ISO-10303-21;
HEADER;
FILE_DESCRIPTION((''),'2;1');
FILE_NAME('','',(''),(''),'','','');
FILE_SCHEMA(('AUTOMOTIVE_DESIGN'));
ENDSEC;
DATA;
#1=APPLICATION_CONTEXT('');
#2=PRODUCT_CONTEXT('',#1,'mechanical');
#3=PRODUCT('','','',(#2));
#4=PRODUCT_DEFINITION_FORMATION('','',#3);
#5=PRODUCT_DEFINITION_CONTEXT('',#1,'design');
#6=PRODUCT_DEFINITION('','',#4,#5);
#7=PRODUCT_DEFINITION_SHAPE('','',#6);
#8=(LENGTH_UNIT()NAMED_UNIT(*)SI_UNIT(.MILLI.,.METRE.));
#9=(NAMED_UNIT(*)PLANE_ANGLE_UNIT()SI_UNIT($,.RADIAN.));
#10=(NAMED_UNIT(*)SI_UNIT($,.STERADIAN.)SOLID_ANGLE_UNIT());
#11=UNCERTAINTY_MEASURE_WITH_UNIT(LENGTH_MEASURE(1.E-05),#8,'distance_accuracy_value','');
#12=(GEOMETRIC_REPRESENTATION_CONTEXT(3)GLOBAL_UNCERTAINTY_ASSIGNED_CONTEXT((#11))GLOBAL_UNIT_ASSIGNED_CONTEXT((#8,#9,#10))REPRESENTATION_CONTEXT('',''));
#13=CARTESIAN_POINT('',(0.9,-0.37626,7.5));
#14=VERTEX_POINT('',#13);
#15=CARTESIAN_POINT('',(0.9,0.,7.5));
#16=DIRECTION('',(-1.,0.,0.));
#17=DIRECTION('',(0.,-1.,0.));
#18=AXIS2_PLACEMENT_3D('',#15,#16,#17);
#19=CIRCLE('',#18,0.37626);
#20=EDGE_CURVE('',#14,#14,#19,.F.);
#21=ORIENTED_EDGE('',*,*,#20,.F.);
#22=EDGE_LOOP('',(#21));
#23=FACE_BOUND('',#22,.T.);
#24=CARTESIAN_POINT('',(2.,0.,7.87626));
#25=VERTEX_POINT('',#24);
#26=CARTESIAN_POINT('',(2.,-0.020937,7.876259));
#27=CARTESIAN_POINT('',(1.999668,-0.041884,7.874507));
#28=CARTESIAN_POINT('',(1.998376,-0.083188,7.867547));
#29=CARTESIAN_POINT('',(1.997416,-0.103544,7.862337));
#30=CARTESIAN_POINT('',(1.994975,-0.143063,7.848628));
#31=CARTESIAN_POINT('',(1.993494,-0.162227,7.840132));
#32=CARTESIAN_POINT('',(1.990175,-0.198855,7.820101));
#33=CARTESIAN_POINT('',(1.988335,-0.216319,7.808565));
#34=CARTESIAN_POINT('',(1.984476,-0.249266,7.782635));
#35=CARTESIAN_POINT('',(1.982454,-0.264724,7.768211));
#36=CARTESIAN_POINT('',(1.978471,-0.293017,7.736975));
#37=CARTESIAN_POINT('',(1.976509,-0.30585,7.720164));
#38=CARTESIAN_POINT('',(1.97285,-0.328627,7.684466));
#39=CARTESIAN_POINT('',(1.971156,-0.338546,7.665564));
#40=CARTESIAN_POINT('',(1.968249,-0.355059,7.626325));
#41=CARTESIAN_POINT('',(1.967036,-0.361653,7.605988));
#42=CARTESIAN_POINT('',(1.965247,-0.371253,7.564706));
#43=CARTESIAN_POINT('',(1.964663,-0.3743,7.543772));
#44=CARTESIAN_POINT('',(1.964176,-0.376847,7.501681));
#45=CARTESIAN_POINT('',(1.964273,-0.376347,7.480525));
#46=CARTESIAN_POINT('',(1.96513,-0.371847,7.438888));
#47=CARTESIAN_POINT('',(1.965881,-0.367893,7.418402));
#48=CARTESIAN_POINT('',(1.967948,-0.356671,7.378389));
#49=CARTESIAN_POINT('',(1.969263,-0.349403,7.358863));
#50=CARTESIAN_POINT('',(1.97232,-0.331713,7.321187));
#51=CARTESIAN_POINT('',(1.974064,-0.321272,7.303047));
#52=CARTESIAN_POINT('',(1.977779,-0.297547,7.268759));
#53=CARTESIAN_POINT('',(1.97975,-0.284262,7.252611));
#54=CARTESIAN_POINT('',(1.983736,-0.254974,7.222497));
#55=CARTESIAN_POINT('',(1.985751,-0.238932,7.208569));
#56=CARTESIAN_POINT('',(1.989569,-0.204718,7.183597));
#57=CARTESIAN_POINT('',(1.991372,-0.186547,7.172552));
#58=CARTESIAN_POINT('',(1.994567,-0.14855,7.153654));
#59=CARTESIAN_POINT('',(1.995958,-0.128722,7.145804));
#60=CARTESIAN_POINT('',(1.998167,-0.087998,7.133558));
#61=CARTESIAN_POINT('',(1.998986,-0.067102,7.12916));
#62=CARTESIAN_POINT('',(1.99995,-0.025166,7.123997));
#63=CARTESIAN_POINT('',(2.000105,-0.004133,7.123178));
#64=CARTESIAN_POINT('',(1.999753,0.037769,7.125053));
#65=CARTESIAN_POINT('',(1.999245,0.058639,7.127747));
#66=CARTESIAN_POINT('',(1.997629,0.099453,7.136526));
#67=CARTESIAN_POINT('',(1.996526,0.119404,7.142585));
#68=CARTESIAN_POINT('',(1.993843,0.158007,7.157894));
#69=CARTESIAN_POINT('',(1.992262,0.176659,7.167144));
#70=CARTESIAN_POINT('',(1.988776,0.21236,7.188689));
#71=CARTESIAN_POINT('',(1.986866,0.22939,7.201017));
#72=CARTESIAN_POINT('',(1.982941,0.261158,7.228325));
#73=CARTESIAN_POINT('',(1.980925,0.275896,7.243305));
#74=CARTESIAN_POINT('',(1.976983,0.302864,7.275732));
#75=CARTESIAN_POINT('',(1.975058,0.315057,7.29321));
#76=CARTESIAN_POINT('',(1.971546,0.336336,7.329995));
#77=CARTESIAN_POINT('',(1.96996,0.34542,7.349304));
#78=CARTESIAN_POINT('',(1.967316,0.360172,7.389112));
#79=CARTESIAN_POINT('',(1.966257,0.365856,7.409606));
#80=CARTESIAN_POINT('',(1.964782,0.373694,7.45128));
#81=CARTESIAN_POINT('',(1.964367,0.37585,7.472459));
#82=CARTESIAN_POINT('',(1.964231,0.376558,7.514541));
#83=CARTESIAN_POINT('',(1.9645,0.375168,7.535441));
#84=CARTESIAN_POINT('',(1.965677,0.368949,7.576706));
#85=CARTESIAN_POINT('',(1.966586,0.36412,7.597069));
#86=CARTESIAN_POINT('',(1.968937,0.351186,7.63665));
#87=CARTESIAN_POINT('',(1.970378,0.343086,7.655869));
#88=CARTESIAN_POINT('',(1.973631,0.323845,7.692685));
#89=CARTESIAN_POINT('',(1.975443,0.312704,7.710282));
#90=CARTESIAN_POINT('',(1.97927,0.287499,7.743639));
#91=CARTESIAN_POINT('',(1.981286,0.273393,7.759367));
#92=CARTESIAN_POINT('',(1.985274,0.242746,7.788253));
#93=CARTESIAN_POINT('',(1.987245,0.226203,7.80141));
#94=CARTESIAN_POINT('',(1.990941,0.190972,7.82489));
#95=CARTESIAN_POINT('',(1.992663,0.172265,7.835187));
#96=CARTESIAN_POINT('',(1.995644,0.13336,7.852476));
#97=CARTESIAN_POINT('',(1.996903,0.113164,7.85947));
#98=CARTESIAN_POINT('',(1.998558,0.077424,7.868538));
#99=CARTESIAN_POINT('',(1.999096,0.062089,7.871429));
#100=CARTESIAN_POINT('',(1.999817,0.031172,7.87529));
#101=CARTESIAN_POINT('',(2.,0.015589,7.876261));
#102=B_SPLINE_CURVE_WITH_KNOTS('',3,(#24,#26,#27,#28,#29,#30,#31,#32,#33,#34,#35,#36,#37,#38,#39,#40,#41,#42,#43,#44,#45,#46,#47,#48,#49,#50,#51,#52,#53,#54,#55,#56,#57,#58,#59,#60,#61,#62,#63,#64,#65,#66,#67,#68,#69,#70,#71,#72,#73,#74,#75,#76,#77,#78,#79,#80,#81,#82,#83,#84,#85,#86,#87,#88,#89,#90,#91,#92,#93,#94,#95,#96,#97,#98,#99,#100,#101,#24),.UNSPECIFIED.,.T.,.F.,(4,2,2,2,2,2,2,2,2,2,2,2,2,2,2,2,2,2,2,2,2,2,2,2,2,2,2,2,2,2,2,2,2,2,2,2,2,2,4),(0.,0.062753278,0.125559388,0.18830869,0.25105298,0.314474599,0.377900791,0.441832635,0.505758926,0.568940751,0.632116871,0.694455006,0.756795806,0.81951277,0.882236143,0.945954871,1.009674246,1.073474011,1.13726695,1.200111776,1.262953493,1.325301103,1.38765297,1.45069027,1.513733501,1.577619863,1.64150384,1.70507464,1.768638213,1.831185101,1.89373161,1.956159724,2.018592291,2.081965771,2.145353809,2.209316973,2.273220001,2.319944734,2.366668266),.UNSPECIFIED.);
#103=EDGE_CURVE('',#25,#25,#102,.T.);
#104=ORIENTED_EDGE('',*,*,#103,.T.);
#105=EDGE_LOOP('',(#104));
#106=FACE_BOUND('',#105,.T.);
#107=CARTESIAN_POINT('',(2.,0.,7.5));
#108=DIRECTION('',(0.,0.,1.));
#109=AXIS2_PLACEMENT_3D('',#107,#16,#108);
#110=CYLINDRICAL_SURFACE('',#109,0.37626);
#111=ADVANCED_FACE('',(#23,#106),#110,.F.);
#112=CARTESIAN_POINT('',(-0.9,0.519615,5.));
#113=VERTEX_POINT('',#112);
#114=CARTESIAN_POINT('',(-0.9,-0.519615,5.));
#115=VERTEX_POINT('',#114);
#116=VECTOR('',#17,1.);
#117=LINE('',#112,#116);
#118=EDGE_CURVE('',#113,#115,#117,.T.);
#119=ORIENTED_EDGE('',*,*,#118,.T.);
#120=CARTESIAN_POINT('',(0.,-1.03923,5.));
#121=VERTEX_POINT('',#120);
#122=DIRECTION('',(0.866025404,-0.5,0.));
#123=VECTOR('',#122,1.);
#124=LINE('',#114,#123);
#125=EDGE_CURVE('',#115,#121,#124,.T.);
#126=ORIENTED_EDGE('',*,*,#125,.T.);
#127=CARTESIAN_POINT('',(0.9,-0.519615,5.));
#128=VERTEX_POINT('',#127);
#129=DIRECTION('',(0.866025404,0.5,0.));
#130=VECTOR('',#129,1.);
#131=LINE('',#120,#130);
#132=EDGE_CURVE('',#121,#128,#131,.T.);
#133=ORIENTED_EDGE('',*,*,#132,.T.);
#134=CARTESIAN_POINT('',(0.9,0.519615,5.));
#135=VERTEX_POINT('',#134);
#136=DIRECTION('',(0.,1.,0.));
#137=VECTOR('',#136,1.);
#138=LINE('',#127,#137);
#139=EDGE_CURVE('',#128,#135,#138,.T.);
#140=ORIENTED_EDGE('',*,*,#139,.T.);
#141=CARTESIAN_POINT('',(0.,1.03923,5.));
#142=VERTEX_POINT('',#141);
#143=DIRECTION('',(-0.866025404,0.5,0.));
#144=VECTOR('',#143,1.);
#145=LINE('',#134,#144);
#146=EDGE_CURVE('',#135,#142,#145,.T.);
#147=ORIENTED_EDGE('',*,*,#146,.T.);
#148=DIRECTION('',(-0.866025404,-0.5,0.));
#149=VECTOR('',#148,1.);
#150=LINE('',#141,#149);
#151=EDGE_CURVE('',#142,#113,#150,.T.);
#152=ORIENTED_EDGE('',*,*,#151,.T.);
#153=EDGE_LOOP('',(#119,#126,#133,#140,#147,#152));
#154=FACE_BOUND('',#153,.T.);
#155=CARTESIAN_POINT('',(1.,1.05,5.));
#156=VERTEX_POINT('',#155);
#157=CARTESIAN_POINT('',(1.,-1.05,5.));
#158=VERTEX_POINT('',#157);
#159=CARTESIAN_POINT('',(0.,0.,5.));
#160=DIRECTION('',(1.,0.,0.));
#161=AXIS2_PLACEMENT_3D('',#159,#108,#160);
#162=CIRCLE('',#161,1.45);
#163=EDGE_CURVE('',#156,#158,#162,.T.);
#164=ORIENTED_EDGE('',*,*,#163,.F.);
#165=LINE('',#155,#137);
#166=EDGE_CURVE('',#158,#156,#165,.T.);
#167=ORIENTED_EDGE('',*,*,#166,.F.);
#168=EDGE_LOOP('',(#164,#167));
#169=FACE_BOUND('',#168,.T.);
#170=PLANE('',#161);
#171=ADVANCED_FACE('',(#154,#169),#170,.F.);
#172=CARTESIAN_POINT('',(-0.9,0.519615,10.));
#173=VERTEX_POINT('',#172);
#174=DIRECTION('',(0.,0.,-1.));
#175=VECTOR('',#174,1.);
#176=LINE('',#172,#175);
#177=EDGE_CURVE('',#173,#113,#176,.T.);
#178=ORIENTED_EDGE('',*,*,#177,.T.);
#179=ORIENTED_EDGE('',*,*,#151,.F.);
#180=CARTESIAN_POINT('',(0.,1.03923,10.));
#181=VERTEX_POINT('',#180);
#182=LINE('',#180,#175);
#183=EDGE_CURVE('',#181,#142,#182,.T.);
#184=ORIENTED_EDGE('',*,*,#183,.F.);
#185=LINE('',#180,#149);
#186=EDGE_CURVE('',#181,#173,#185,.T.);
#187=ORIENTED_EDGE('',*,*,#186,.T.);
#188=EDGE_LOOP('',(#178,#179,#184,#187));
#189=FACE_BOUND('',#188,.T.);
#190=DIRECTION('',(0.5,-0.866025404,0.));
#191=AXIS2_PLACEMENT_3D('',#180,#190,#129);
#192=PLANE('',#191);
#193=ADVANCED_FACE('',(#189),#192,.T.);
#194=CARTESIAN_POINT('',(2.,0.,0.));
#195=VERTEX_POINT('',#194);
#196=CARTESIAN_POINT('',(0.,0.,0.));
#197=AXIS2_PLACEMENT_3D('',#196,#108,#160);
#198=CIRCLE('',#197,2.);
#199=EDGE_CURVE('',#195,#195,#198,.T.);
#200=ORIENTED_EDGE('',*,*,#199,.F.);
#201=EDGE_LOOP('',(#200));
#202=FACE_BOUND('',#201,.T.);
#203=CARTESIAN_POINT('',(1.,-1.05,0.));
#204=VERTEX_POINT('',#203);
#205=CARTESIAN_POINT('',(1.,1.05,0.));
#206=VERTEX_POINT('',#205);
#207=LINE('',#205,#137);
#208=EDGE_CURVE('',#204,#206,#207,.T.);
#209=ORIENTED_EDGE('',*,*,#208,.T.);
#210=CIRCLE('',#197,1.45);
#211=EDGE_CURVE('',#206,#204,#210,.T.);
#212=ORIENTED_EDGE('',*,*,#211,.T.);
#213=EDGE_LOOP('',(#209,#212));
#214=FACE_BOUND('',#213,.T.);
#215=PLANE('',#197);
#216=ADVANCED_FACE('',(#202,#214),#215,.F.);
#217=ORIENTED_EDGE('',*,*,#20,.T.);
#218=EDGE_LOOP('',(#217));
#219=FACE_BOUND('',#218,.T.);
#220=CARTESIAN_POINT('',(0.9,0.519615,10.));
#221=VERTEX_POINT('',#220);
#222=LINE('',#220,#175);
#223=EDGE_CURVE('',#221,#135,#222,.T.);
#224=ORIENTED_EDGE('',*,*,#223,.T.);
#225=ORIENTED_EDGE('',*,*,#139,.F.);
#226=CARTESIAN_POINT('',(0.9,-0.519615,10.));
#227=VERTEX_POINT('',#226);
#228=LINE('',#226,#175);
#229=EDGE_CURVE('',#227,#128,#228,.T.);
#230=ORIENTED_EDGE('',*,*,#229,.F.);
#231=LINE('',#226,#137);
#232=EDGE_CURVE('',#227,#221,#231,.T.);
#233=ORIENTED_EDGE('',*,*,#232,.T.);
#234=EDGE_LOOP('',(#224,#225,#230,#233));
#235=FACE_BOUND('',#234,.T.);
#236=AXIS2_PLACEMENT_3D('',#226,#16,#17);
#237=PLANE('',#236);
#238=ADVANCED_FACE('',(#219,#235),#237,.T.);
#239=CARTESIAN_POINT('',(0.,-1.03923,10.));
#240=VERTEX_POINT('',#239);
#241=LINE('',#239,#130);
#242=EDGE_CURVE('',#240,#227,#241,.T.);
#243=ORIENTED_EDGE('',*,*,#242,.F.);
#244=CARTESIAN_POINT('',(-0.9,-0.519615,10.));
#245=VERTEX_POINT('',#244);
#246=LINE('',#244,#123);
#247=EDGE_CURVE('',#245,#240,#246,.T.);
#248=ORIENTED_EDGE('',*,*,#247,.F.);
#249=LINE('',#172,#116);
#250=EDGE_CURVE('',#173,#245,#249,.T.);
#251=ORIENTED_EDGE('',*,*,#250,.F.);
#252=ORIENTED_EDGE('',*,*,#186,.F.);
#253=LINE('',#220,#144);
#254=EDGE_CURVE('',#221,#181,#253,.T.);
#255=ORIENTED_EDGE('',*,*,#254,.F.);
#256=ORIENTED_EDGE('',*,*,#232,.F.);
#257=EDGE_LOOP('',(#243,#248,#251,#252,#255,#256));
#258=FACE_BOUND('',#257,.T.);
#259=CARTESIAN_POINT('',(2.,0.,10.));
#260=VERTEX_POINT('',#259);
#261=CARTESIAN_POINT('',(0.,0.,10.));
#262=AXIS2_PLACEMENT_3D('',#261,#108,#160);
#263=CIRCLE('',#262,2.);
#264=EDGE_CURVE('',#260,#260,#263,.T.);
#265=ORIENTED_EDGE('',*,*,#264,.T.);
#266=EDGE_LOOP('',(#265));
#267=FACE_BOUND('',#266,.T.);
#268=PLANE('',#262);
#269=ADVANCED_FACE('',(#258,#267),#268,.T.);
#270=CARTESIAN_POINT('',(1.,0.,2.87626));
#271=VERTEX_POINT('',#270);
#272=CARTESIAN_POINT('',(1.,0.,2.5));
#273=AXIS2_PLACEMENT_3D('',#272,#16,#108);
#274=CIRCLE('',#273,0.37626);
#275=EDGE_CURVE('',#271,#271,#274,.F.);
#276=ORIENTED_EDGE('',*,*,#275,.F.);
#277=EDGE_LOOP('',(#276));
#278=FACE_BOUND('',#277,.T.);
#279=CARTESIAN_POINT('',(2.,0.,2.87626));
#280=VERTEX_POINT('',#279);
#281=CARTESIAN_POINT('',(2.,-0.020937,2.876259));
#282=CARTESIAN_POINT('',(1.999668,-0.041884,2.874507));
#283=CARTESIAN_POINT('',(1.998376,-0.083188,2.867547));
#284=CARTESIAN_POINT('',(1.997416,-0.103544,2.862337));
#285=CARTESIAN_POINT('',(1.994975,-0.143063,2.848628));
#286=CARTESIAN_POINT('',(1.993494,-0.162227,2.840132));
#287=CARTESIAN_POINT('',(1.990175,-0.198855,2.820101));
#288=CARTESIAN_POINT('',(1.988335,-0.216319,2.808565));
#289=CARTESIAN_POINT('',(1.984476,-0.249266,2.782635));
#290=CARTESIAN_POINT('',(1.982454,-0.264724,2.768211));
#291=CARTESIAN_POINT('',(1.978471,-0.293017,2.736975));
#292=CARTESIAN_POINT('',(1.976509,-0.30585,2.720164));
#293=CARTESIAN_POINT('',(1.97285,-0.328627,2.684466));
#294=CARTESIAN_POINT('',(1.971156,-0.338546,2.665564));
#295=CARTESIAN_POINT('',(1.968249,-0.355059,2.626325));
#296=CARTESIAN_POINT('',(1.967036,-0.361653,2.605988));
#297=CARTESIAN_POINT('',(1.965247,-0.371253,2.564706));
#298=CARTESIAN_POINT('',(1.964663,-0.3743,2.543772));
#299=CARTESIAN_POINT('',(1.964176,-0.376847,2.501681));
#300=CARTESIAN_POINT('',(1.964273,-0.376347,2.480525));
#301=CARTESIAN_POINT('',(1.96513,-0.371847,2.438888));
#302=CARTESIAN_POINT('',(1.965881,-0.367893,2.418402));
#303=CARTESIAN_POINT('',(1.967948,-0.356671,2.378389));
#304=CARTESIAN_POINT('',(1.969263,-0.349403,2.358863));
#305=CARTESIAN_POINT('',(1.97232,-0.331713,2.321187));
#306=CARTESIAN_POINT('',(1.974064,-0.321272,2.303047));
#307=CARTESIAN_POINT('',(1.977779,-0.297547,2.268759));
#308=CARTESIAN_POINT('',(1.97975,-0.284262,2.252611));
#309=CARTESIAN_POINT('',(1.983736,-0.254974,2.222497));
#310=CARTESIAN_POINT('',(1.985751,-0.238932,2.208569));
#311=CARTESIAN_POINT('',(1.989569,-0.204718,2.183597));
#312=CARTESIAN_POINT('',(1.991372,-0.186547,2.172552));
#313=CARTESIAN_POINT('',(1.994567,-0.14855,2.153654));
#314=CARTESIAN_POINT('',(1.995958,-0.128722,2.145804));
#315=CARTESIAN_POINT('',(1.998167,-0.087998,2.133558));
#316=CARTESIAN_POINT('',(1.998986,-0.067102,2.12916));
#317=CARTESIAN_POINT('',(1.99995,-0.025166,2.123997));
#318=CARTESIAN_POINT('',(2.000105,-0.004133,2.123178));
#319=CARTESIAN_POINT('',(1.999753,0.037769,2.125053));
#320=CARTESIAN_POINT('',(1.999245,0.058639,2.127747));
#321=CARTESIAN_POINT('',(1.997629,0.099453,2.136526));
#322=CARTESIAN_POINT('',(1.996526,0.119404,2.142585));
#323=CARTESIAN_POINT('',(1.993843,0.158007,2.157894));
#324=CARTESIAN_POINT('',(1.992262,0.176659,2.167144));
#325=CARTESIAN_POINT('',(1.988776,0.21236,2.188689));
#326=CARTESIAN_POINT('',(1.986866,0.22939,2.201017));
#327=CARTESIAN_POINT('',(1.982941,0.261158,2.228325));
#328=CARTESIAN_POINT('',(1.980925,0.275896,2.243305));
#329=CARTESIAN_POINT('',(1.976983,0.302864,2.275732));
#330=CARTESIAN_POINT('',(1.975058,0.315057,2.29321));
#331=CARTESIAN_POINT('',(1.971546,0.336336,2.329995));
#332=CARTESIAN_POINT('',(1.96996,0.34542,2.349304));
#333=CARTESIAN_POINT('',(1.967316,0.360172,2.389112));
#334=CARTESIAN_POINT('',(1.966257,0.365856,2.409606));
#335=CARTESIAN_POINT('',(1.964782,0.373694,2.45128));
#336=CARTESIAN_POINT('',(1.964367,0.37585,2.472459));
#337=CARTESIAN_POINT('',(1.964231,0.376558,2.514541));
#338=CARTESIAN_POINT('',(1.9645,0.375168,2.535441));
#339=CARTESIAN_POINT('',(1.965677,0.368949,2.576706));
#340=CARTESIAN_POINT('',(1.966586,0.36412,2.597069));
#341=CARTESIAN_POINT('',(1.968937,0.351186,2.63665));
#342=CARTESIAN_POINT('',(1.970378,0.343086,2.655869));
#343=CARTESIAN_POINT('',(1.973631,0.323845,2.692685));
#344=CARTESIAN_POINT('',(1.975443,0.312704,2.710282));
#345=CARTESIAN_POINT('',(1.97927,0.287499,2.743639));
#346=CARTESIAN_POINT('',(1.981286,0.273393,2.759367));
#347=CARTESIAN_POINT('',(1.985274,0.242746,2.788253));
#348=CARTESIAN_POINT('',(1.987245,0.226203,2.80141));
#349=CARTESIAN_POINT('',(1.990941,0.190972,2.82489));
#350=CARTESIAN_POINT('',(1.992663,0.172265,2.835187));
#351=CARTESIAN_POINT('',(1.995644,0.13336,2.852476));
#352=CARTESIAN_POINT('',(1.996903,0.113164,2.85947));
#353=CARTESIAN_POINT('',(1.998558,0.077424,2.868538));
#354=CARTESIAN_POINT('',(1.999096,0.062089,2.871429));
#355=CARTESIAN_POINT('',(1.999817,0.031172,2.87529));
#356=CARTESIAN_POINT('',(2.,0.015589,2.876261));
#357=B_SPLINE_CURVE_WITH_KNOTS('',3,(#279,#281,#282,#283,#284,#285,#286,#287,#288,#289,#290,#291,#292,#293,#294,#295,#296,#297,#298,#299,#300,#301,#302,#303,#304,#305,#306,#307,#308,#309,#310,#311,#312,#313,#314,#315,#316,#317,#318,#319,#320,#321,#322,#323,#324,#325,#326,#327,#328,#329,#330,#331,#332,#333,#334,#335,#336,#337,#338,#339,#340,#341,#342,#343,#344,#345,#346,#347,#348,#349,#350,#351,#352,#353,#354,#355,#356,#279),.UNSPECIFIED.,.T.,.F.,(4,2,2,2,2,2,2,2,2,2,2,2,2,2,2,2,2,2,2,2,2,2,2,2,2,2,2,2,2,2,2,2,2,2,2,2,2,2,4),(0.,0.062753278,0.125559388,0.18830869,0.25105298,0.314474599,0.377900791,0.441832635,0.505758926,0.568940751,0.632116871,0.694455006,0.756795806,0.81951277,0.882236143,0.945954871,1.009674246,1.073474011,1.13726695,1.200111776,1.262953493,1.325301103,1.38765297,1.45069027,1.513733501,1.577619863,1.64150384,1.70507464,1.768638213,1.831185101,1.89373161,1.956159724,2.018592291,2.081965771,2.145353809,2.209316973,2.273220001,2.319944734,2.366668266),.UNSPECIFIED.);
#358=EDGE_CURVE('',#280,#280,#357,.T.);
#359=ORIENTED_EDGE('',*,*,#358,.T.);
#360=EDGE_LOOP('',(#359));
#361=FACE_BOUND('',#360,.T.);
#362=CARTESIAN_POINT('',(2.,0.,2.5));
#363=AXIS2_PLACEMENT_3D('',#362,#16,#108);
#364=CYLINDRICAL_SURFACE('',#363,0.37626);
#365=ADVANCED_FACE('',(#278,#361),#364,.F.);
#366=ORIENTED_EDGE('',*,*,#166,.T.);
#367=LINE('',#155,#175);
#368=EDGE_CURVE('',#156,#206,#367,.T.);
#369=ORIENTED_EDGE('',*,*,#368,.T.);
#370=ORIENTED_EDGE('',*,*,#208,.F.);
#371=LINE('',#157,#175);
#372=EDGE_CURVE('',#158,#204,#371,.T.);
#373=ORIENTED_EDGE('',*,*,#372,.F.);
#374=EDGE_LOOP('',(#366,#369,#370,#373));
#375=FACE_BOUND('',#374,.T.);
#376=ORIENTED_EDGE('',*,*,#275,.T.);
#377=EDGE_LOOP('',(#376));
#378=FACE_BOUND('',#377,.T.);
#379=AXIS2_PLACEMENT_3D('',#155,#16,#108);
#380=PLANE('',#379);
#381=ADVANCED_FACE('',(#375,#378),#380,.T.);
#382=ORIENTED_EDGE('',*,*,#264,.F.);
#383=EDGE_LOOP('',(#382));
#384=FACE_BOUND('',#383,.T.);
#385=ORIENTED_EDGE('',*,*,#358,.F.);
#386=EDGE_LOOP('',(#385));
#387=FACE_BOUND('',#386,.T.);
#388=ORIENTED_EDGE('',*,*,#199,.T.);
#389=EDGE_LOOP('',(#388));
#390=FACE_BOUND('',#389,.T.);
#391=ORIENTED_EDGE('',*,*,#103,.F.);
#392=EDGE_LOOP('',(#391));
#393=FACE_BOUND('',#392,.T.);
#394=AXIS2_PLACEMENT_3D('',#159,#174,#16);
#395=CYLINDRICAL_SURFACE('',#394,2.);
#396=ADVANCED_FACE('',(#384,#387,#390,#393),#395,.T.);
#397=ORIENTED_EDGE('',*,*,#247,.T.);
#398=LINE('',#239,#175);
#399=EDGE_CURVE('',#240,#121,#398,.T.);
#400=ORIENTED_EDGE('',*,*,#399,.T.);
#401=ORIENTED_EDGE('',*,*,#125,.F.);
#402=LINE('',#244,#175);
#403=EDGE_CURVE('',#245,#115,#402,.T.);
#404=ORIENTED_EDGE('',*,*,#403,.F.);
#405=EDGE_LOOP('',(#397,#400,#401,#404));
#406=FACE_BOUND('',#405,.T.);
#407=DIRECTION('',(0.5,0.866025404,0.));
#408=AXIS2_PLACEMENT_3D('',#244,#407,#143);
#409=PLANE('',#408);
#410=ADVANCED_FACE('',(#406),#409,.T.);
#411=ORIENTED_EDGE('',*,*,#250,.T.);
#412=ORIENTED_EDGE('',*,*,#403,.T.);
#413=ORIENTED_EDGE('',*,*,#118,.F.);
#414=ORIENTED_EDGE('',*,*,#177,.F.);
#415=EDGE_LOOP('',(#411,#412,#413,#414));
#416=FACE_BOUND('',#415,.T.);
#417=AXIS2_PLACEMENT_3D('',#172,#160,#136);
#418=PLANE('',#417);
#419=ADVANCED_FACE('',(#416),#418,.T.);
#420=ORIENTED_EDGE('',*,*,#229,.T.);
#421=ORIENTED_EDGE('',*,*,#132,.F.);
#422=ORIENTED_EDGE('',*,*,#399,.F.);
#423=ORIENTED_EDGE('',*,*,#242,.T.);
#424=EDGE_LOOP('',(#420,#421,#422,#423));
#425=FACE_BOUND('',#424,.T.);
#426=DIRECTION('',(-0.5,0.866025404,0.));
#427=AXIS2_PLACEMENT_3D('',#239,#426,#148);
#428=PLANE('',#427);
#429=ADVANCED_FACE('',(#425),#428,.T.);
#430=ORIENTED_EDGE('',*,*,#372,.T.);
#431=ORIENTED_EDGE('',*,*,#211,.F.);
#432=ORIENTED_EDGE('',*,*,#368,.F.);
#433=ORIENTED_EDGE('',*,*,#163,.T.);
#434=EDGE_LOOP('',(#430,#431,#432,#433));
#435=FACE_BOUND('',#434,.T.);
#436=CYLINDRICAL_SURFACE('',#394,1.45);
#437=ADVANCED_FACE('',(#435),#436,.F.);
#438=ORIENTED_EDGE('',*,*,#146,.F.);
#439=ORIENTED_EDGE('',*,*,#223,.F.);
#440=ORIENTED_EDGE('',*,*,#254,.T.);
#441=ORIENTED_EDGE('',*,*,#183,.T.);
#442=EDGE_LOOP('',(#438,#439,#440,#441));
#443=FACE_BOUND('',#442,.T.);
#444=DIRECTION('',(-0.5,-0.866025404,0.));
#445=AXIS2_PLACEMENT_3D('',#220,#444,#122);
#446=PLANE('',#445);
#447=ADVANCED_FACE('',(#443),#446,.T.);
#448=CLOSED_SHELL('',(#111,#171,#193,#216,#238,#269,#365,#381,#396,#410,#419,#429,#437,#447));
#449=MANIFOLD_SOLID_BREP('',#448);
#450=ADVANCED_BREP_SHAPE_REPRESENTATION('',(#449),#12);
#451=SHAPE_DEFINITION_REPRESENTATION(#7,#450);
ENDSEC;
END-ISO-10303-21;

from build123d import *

# Parameters (mm, degrees)
MOTORSKE_R      = 2
MOTOR_DEPTH     = 5
AXISSKE_R       = 2
AXIS_DEPTH      = 5
SCREWHOLESKE_R  = 0.376260287
SCREWHOLE_DEPTH = 11.392304845


with BuildPart() as part:
    # MotorSke → Motor (new body)
    with BuildSketch(Plane.XY):
        Circle(MOTORSKE_R)
        with BuildLine():
            Line((1, 1.05), (1, -1.05))
            ThreePointArc((1, -1.05), (-1.45, 0), (1, 1.05))
        make_face(mode=Mode.SUBTRACT)
    extrude(amount=MOTOR_DEPTH)

    # AxisSke → Axis (add)
    with BuildSketch(Plane.XY.offset(5)):
        Circle(AXISSKE_R)
        Polygon((0, -1.039230485), (0.9, -0.519615242), (0.9, 0.519615242), (0, 1.039230485), (-0.9, 0.519615242), (-0.9, -0.519615242), align=None, mode=Mode.SUBTRACT)
    extrude(amount=AXIS_DEPTH)

    # ScrewHoleSke → ScrewHole (cut, through all)
    with BuildSketch(Plane(origin=(0, 0, 0), x_dir=(0, 0, -1), z_dir=(1, 0, 0))):
        with Locations(Location((-7.5, 0, 0), (0, 0, 180))):
            Circle(SCREWHOLESKE_R)
        with Locations(Location((-2.5, 0, 0), (0, 0, 180))):
            Circle(SCREWHOLESKE_R)
    extrude(amount=SCREWHOLE_DEPTH, mode=Mode.SUBTRACT)


solid = part.part
